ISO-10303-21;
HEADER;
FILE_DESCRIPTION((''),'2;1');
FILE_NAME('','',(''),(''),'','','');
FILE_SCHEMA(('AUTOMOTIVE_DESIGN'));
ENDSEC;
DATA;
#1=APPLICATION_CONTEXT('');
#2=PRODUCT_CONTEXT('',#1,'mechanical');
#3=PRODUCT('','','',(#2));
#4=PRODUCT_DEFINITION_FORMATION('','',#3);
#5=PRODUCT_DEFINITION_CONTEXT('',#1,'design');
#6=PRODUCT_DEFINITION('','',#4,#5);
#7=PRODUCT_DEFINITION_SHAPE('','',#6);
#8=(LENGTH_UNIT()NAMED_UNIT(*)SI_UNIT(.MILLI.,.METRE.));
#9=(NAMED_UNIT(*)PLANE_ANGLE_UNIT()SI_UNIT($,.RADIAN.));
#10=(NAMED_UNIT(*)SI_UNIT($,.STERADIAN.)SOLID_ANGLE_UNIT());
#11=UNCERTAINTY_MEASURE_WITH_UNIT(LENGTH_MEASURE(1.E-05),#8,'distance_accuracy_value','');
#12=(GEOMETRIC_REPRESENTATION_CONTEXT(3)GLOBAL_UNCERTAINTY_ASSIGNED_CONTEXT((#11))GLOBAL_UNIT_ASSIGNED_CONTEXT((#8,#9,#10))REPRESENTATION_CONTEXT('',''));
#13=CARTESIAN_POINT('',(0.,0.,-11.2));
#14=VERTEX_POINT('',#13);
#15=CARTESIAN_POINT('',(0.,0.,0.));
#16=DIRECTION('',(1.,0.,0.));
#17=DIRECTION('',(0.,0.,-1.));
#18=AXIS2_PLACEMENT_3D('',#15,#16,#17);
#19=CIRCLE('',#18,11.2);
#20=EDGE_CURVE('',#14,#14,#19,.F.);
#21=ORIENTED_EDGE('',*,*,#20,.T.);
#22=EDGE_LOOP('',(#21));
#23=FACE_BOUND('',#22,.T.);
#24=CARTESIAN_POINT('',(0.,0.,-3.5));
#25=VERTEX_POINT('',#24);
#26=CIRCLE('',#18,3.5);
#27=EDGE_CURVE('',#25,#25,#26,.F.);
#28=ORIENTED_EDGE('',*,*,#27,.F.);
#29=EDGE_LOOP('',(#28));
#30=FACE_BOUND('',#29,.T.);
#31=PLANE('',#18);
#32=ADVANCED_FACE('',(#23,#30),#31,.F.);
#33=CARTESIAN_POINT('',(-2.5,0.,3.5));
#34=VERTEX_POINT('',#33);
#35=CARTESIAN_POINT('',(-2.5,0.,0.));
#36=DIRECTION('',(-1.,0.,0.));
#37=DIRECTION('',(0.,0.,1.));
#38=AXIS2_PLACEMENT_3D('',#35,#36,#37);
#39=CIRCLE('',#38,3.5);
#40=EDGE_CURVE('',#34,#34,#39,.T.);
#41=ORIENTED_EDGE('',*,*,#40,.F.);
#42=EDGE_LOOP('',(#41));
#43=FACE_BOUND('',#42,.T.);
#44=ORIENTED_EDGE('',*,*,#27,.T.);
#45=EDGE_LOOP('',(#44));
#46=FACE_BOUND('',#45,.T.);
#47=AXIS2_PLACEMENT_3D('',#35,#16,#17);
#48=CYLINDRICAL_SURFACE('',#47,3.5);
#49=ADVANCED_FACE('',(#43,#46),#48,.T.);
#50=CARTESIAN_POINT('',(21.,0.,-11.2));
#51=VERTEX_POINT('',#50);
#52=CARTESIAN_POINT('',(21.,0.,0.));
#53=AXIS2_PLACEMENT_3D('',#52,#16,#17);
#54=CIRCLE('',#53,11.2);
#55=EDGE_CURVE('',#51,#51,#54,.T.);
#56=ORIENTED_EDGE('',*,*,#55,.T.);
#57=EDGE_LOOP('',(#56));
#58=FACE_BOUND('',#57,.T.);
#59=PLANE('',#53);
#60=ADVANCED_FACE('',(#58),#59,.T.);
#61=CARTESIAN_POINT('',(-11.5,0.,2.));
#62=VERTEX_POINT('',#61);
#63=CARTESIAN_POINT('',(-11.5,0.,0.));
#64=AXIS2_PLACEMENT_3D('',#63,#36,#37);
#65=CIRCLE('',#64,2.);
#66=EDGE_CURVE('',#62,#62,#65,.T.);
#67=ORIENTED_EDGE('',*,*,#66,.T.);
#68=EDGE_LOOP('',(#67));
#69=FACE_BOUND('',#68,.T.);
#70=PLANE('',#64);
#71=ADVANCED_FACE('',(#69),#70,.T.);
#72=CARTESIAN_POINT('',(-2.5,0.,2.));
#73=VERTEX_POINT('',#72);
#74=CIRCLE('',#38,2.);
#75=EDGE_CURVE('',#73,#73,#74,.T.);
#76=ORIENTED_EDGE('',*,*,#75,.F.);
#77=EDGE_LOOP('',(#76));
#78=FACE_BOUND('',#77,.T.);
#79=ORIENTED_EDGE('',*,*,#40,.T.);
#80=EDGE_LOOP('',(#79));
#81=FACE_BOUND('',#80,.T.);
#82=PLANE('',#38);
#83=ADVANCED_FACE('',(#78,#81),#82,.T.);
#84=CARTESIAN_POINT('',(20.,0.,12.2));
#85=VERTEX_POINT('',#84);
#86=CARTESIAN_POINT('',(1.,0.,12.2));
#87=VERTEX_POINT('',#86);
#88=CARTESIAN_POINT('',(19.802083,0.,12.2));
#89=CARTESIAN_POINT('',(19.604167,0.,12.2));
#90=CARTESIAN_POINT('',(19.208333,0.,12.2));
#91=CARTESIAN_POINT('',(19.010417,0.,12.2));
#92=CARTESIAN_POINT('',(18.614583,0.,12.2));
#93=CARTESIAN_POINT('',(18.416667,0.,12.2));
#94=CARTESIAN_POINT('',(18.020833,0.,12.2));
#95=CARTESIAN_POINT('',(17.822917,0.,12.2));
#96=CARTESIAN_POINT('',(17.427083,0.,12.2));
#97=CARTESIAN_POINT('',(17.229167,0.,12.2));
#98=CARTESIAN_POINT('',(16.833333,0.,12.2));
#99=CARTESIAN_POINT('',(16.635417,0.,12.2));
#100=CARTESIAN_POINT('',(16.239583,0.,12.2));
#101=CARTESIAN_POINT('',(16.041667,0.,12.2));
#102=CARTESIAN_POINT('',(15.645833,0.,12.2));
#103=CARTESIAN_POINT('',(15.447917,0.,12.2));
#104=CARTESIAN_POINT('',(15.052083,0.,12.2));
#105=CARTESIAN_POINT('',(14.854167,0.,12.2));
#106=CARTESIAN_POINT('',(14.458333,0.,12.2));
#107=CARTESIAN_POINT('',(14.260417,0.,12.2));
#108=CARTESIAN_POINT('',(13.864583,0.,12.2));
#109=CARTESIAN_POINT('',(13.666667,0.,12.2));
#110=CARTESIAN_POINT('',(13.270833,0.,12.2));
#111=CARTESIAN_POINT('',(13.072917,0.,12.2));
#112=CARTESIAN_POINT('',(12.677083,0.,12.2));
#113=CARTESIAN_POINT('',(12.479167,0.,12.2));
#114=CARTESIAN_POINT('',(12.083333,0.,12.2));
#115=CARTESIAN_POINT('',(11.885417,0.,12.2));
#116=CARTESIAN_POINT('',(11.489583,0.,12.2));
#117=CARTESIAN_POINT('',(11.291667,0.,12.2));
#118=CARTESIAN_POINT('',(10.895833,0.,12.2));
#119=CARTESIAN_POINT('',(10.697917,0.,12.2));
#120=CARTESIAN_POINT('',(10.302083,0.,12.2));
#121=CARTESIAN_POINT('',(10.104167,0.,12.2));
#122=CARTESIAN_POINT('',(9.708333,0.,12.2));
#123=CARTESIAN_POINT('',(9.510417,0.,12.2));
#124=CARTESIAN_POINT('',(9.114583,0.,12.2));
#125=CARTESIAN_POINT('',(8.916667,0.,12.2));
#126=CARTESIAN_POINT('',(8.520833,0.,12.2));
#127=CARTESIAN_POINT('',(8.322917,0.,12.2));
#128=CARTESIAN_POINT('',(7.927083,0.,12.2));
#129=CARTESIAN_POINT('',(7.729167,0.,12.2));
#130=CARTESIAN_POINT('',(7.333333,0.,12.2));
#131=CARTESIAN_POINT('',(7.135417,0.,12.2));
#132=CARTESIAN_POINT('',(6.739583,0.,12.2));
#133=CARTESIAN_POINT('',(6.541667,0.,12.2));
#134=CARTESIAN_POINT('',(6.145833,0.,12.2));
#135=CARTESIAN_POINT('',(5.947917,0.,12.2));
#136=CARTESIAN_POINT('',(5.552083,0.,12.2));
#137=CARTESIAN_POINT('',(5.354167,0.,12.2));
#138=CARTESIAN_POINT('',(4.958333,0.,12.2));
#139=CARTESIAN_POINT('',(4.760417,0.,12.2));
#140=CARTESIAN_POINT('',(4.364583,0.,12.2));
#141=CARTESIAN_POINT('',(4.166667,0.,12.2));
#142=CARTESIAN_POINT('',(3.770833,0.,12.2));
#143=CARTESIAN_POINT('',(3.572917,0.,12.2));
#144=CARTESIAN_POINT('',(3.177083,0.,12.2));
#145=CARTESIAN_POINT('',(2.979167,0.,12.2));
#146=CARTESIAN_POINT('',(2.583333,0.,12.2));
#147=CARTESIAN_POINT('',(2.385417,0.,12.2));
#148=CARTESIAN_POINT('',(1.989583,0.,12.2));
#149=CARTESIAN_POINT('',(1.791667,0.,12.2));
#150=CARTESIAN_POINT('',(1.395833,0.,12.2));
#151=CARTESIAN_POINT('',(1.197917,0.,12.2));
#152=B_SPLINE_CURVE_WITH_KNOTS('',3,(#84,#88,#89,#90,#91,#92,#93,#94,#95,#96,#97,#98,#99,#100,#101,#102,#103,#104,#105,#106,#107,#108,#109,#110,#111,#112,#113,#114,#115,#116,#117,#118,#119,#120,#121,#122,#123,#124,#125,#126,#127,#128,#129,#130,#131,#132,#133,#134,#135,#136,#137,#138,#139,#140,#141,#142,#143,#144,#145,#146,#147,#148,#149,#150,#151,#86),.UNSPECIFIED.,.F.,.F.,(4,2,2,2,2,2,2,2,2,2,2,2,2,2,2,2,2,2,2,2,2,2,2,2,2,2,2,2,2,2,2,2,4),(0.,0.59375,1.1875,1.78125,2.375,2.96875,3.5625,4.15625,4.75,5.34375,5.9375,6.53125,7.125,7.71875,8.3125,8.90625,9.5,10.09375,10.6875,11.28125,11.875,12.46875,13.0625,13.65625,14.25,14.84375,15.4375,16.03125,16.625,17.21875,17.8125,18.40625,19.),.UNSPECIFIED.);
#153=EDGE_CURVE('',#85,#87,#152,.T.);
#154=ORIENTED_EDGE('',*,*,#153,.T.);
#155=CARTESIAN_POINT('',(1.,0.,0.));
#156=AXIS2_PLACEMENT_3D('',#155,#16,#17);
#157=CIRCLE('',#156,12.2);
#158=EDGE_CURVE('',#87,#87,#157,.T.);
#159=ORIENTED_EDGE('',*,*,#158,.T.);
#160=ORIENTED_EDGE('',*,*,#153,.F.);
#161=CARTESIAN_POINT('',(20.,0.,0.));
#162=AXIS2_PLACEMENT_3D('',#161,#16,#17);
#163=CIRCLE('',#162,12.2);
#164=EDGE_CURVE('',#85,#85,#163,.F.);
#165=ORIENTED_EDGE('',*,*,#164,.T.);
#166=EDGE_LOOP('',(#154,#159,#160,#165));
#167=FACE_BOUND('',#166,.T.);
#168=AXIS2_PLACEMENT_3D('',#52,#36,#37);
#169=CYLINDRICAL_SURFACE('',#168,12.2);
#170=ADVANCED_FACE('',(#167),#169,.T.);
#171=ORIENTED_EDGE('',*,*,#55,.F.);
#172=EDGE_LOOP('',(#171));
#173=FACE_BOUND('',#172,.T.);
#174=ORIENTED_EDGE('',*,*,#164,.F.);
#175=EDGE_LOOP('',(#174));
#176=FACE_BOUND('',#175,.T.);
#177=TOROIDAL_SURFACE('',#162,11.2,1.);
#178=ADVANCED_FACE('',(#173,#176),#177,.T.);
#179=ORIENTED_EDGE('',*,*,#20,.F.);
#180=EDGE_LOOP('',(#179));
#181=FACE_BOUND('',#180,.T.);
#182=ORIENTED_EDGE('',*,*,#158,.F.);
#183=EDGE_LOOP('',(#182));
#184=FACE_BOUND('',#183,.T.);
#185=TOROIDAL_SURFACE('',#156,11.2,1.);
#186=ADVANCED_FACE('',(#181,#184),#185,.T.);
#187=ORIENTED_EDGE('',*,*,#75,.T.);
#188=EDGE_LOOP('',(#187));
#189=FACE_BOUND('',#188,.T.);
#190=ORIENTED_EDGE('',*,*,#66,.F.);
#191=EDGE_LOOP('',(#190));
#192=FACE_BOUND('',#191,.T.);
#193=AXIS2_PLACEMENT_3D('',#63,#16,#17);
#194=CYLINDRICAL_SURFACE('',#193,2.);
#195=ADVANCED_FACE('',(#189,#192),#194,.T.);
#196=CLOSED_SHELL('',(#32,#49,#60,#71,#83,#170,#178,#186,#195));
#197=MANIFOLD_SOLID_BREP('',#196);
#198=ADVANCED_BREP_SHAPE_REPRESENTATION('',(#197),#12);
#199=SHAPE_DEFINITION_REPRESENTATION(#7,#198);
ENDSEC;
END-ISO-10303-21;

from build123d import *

# Parameters (mm, degrees)
SKETCH_1_R      = 12.2
EXTRUDE_1_DEPTH = 21
FILLET_1_R      = 1
SKETCH_2_R      = 3.5
EXTRUDE_2_DEPTH = 2.5
SKETCH_3_R      = 2
EXTRUDE_3_DEPTH = 9


with BuildPart() as part:
    # 草图1 → 凸台-拉伸1 (new body)
    with BuildSketch(Plane(origin=(0, 0, 0), x_dir=(0, 0, -1), z_dir=(1, 0, 0))):
        with Locations(Location((0, 0, 0), (0, 0, 180))):
            Circle(SKETCH_1_R)
    extrude(amount=EXTRUDE_1_DEPTH)

    # 圆角1
    fillet_1_edges = [part.edges().sort_by_distance(p)[0] for p in [
        (0, 0, -12.2),
        (21, 0, -12.2),
    ]]
    fillet(fillet_1_edges, radius=FILLET_1_R)

    # 草图2 → 凸台-拉伸2 (add)
    with BuildSketch(Plane.ZY):
        with Locations(Location((0, 0, 0), (0, 0, 180))):
            Circle(SKETCH_2_R)
    extrude(amount=EXTRUDE_2_DEPTH)

    # 草图3 → 凸台-拉伸3 (add)
    with BuildSketch(Plane.ZY.offset(2.5)):
        Circle(SKETCH_3_R)
    extrude(amount=EXTRUDE_3_DEPTH)


solid = part.part
